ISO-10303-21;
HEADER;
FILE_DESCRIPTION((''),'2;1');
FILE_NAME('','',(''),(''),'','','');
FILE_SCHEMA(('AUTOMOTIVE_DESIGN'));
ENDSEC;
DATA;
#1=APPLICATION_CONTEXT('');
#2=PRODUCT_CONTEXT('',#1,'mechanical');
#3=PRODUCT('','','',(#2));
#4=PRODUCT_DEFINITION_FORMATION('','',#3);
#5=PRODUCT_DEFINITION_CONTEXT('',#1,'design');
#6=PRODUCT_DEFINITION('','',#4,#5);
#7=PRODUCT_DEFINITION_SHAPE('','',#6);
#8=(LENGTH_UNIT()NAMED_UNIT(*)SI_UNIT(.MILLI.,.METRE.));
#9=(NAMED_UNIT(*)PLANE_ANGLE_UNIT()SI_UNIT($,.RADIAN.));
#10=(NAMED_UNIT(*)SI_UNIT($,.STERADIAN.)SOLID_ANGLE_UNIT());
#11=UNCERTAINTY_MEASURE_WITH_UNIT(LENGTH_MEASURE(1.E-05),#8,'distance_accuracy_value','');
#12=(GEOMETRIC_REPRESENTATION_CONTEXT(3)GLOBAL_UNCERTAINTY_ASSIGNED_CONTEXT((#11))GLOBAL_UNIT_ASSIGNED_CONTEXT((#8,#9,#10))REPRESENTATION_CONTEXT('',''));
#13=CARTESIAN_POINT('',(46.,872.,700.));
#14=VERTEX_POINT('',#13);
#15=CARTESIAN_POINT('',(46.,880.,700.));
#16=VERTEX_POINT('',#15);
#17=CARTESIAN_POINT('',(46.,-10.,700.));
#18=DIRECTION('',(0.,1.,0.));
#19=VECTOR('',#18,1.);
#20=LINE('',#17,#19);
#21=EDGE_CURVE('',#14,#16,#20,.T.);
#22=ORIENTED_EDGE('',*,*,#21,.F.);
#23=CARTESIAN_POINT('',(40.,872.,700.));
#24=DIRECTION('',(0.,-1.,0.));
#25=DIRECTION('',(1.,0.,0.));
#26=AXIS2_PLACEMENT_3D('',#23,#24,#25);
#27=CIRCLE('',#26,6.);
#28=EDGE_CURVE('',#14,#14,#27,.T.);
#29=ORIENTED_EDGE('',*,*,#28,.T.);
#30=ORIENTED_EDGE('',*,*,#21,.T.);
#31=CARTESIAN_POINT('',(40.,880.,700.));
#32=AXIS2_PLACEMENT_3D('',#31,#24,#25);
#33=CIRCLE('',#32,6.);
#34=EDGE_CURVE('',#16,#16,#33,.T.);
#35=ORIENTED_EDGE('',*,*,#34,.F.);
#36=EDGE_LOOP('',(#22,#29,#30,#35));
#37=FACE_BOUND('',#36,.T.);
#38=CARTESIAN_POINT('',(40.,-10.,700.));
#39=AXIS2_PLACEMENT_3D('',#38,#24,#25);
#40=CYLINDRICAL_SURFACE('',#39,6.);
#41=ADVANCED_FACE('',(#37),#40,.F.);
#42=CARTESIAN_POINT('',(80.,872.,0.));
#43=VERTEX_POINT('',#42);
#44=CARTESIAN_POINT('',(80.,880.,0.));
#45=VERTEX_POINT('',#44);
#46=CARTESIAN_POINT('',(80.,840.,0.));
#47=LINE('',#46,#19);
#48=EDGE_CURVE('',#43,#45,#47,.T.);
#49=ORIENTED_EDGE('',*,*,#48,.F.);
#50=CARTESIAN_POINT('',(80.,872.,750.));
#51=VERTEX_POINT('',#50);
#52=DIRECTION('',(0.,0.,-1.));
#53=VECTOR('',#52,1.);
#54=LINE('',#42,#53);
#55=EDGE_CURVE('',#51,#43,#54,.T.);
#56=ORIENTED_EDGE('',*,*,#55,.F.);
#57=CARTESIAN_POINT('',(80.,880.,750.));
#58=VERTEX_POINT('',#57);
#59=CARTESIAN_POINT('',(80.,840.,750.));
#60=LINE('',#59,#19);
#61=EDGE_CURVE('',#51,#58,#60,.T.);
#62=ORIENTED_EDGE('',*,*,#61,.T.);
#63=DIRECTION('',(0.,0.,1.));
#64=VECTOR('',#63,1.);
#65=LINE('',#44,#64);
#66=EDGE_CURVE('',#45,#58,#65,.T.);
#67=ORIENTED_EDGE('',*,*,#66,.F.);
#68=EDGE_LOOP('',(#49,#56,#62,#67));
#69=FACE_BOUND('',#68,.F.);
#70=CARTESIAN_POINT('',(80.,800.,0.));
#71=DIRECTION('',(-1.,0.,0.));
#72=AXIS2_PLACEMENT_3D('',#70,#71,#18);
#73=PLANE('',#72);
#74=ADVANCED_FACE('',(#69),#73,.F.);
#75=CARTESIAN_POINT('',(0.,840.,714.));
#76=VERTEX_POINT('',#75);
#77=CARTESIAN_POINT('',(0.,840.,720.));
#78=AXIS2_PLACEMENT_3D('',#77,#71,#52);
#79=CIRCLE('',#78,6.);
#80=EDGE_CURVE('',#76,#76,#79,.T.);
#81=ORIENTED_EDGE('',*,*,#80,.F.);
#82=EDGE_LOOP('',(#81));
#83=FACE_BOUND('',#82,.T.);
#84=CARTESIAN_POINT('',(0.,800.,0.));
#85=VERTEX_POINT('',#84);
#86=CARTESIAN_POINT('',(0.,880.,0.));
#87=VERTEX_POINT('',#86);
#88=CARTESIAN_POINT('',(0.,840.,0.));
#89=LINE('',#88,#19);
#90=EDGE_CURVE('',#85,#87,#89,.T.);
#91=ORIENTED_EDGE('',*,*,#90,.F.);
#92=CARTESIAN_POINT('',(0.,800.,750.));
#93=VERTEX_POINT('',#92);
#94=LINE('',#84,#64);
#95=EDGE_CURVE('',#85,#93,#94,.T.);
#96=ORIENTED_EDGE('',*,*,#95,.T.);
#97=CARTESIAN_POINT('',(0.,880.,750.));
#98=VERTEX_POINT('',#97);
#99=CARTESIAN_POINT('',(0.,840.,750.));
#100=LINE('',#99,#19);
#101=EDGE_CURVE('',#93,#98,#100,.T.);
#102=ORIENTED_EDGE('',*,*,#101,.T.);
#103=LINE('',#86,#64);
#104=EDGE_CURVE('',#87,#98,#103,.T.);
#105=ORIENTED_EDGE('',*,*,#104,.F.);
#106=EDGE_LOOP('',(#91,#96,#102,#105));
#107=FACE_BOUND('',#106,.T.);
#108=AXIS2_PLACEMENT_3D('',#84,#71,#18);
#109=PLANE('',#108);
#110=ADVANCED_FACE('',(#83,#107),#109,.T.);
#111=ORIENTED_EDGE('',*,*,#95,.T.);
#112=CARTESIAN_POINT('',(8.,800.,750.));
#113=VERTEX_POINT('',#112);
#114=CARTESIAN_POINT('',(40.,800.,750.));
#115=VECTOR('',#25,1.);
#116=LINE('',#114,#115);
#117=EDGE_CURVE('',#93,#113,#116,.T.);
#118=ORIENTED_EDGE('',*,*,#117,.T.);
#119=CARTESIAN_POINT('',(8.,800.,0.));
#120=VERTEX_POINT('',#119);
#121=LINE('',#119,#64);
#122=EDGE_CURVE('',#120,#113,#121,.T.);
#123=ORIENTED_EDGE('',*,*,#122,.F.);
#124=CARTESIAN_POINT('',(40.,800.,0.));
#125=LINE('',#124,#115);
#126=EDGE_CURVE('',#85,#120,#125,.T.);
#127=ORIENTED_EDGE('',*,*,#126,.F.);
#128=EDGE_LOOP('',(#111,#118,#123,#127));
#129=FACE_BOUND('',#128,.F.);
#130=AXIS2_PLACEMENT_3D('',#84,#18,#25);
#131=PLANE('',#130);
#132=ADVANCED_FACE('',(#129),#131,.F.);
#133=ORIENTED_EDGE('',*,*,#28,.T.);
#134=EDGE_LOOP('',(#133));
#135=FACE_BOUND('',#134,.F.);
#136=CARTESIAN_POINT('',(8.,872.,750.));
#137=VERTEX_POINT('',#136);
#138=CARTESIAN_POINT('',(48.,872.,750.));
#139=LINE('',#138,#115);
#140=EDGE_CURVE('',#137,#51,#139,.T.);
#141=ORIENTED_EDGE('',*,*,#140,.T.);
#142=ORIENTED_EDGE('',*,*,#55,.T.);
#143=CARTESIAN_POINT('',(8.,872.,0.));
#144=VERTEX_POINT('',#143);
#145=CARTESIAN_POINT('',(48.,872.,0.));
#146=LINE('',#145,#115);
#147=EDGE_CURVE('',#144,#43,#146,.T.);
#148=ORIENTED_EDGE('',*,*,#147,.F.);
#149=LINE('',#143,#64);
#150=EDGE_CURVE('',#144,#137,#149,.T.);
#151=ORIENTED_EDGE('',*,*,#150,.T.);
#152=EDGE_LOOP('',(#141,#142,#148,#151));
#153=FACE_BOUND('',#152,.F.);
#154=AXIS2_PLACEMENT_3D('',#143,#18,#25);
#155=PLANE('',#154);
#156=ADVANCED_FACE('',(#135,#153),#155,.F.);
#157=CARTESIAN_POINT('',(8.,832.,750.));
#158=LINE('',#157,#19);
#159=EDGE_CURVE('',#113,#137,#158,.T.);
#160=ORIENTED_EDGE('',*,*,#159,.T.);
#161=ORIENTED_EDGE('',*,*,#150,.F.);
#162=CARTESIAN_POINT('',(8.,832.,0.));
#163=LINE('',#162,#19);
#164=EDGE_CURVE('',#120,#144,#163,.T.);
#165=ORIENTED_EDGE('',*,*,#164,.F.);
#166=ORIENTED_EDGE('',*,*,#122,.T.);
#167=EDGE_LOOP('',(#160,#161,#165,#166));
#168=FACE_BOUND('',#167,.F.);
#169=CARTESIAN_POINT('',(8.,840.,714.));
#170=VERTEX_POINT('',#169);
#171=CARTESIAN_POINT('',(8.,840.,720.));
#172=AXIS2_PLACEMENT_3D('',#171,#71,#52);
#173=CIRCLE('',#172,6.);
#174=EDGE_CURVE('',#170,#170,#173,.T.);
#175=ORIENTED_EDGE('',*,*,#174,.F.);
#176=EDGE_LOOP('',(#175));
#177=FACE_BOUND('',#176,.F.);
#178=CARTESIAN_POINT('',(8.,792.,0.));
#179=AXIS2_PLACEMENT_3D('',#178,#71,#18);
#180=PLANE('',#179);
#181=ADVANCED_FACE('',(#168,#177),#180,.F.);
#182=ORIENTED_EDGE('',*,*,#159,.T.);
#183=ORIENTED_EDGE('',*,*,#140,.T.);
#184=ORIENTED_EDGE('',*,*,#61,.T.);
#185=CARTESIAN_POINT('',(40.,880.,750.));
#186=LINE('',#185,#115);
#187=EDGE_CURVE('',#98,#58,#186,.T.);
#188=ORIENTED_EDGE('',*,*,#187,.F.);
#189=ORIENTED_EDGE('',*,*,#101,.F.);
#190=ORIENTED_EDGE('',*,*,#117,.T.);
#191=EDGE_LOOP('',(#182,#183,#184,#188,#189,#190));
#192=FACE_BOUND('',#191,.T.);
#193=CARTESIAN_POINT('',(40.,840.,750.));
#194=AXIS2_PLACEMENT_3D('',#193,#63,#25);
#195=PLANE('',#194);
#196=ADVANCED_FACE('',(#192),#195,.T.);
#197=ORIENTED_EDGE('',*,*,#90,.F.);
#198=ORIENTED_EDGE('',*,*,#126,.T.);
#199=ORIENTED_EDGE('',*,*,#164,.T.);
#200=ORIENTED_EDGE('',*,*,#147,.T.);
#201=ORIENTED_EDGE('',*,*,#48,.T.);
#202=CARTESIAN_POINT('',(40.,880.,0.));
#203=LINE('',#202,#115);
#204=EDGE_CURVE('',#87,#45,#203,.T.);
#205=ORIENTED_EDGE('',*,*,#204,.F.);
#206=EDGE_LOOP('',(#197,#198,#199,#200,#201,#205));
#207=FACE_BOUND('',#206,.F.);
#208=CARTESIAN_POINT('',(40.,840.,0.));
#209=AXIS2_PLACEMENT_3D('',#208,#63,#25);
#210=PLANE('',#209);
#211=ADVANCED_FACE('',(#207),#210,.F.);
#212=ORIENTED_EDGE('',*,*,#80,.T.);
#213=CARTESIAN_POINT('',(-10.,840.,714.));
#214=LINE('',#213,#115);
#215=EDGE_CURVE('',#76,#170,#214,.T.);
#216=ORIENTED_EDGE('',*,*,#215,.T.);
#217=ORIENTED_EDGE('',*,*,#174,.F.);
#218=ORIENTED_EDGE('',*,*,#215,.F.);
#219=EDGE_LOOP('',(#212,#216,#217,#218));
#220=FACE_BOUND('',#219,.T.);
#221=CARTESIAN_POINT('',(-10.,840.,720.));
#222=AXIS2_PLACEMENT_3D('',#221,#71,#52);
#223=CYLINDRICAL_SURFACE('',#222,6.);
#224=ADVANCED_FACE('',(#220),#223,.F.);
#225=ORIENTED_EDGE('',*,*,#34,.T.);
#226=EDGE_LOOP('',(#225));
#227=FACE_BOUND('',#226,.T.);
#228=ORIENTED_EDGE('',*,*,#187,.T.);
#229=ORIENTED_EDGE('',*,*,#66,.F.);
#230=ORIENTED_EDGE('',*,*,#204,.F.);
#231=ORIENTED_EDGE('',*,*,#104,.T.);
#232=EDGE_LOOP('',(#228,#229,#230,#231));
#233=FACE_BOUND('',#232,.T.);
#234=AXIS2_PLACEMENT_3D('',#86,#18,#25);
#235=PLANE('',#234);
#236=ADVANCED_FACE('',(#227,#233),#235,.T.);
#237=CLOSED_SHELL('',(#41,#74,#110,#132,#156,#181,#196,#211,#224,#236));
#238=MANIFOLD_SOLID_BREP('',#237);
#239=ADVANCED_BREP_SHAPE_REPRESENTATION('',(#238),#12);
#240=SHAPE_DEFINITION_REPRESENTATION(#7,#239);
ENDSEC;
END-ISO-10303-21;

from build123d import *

# Parameters (mm, degrees)
CYLINDER001_R           = 6
CYLINDER001_DEPTH       = 1300
CYLINDER001_PITCH_ANGLE = 90
CYLINDER002_R           = 6
CYLINDER002_DEPTH       = 900
CYLINDER002_ROLL_ANGLE  = -90
BOX003_W                = 80
BOX003_H                = 80
BOX003_DEPTH            = 750
BOX002_W                = 80
BOX002_H                = 80
BOX002_DEPTH            = 750


with BuildPart() as cylinder001:
    # Cylinder001 → Cylinder001 (new body)
    with BuildSketch(Plane.XY):
        Circle(CYLINDER001_R)
    extrude(amount=CYLINDER001_DEPTH)


with BuildPart() as cylinder001_1:
    # Cylinder001 pitch: moved
    add(cylinder001.part.rotate(Axis((0, 0, 0), (0, 1, 0)), CYLINDER001_PITCH_ANGLE))


with BuildPart() as cylinder001_2:
    # Cylinder001 placement: moved
    add(cylinder001_1.part.moved(Location((-10, 840, 720))))


with BuildPart() as cylinder002:
    # Cylinder002 → Cylinder002 (new body)
    with BuildSketch(Plane.XY):
        Circle(CYLINDER002_R)
    extrude(amount=CYLINDER002_DEPTH)


with BuildPart() as cylinder002_1:
    # Cylinder002 roll: moved
    add(cylinder002.part.rotate(Axis((0, 0, 0), (1, 0, 0)), CYLINDER002_ROLL_ANGLE))


with BuildPart() as cylinder002_2:
    # Cylinder002 placement: moved
    add(cylinder002_1.part.moved(Location((40, -10, 700))))


with BuildPart() as cube003:
    # Box003 → Box003 (new body)
    with BuildSketch(Plane(origin=(8, 792, 0), x_dir=(1, 0, 0), z_dir=(0, 0, 1))):
        with Locations((40, 40)):
            Rectangle(BOX003_W, BOX003_H)
    extrude(amount=BOX003_DEPTH)


with BuildPart() as cut008:
    # Box002 → Box002 (new body)
    with BuildSketch(Plane(origin=(0, 800, 0), x_dir=(1, 0, 0), z_dir=(0, 0, 1))):
        with Locations((40, 40)):
            Rectangle(BOX002_W, BOX002_H)
    extrude(amount=BOX002_DEPTH)

    # Cut001: cut Cube003
    add(cube003.part, mode=Mode.SUBTRACT)

    # Cut007: cut Cylinder002
    add(cylinder002_2.part, mode=Mode.SUBTRACT)

    # Cut008: cut Cylinder001
    add(cylinder001_2.part, mode=Mode.SUBTRACT)


solid = cut008.part
